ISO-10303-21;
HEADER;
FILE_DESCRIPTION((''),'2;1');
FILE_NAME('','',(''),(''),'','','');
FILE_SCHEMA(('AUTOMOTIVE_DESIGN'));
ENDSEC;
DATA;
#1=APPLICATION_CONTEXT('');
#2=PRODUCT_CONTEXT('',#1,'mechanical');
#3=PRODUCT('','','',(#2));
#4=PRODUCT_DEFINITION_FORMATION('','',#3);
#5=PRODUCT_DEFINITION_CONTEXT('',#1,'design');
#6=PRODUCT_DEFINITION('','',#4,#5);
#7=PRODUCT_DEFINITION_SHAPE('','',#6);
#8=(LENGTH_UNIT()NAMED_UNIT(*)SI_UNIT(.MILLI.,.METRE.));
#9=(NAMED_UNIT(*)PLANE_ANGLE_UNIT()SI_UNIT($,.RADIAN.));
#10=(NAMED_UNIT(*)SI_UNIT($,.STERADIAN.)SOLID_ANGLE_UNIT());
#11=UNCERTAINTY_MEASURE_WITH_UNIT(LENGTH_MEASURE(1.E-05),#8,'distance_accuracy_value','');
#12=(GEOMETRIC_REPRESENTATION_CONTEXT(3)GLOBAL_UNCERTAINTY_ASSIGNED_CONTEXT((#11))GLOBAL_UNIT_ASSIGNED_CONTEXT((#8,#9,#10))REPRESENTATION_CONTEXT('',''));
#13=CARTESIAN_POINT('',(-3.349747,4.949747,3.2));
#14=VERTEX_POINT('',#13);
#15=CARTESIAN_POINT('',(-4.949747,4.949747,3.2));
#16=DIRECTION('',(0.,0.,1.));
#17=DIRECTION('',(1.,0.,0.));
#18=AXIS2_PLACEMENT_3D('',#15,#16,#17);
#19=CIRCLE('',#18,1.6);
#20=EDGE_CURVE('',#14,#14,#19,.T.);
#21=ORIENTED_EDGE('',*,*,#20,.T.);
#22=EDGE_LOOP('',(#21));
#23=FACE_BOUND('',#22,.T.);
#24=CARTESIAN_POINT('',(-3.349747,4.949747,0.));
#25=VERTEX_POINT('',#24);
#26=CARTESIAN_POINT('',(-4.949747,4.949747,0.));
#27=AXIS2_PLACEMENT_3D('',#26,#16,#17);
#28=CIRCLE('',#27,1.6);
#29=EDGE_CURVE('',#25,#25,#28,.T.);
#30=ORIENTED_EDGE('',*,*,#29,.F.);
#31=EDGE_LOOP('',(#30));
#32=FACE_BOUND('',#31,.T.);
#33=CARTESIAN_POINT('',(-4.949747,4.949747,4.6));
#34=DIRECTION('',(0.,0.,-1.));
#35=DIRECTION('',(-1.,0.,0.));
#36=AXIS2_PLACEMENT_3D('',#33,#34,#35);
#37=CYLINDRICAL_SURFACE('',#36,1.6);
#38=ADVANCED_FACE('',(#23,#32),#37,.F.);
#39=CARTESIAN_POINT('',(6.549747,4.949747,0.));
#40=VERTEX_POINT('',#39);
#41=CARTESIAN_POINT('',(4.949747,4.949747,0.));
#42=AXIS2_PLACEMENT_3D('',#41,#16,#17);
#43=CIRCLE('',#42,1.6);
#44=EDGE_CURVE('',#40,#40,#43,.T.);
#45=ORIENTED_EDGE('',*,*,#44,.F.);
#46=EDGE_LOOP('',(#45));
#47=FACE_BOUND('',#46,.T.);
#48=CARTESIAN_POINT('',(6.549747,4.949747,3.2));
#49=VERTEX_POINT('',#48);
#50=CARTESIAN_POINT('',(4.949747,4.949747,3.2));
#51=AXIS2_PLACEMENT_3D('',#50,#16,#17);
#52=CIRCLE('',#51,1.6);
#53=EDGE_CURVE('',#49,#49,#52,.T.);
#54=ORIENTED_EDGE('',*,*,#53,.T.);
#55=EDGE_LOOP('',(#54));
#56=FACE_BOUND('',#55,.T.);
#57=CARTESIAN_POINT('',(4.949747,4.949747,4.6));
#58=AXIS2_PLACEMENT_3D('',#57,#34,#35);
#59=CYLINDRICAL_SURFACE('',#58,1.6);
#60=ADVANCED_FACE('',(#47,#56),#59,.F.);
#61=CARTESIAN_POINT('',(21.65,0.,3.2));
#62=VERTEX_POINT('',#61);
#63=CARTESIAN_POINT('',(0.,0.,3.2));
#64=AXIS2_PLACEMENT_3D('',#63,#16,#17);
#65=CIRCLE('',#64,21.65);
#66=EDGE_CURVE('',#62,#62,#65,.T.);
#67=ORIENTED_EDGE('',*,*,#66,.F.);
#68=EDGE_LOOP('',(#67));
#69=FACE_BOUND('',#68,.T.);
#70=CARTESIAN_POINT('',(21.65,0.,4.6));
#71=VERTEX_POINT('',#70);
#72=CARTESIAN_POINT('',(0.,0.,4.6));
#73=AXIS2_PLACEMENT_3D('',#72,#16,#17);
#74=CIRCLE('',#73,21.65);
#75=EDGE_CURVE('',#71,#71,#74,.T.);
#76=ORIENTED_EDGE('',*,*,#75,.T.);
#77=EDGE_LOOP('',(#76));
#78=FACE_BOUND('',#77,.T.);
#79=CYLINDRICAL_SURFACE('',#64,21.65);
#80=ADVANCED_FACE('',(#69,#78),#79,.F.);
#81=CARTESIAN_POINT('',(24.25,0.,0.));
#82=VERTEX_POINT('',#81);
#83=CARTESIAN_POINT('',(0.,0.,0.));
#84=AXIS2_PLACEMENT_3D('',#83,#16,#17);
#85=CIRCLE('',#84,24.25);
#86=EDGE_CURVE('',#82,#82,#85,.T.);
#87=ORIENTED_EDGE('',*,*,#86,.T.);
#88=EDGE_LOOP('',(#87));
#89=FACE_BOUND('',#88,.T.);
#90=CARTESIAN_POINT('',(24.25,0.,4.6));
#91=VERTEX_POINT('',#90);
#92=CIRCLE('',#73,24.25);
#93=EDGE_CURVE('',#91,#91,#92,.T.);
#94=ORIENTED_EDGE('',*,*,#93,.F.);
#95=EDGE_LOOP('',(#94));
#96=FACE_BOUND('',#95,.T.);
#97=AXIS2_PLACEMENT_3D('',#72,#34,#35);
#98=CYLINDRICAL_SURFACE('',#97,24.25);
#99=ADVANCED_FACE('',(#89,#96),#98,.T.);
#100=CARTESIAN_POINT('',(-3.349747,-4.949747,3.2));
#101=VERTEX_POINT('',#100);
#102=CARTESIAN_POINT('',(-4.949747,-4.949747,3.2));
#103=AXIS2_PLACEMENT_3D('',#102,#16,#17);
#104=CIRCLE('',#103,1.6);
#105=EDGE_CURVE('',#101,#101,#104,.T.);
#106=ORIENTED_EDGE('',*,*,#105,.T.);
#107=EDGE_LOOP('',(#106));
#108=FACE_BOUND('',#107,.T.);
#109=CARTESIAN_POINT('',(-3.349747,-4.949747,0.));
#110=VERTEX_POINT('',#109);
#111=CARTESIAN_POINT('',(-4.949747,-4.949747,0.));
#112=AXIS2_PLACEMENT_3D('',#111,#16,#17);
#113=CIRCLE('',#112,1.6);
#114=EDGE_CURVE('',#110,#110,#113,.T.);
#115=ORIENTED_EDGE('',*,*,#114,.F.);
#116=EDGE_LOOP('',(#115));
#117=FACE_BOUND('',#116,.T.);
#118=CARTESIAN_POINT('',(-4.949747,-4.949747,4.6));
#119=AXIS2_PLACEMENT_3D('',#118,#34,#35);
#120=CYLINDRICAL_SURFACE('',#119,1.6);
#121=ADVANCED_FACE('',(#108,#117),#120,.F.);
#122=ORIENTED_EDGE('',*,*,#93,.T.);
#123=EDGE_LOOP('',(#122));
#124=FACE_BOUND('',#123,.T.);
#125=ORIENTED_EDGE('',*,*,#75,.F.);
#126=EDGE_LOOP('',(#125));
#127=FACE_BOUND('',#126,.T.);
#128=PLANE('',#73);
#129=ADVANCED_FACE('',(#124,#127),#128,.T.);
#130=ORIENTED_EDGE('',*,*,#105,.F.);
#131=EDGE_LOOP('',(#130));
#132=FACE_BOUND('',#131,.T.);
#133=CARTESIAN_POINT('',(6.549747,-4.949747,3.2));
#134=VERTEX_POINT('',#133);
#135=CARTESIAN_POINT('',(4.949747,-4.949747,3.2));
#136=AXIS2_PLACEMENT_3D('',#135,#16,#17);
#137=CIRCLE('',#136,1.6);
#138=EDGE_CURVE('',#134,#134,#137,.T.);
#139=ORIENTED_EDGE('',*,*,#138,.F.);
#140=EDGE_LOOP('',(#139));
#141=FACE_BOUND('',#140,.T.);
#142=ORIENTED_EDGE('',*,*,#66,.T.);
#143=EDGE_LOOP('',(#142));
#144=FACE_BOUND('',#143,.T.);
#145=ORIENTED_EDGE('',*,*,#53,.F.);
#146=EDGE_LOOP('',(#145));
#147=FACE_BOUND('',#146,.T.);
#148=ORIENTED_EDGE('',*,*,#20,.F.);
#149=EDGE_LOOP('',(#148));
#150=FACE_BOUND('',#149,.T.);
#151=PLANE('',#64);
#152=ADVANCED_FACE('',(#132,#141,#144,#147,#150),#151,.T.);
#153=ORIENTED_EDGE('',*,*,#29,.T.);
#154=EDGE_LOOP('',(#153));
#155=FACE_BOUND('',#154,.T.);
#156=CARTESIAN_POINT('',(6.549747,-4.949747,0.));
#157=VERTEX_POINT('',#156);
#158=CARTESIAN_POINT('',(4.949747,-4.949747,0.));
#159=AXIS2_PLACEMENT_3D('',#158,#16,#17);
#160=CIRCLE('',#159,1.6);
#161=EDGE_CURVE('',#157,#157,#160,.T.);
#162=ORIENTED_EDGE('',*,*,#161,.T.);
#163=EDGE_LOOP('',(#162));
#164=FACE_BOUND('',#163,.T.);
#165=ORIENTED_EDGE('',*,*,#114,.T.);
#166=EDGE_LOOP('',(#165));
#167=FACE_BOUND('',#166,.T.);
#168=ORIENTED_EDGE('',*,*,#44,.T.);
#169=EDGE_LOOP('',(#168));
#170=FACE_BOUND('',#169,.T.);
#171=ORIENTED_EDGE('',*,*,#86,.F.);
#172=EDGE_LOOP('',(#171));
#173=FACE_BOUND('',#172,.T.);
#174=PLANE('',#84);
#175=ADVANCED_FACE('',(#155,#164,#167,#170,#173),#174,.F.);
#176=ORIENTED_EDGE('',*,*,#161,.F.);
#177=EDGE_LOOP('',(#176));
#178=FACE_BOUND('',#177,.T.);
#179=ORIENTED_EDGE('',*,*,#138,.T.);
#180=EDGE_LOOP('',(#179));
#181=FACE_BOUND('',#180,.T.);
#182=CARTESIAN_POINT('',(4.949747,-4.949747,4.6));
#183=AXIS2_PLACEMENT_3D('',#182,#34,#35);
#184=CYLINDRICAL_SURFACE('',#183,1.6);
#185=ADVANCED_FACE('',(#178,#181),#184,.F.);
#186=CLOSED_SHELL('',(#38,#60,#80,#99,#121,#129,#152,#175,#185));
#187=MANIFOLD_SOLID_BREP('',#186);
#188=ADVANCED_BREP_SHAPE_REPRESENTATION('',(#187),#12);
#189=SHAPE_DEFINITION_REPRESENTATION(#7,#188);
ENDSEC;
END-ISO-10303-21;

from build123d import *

# Parameters (mm, degrees)
SKETCH1_R           = 24.25
SKETCH1_R_2         = 1.6
BOSS_EXTRUDE1_DEPTH = 4.6
SKETCH2_R           = 21.65
CUT_EXTRUDE1_DEPTH  = 1.4


with BuildPart() as part:
    # Sketch1 → Boss-Extrude1 (new body)
    with BuildSketch(Plane.XY):
        Circle(SKETCH1_R)
        with Locations((-4.949747468, 4.949747468)):
            Circle(SKETCH1_R_2, mode=Mode.SUBTRACT)
        with Locations((4.949747468, 4.949747468)):
            Circle(SKETCH1_R_2, mode=Mode.SUBTRACT)
        with Locations((4.949747468, -4.949747468)):
            Circle(SKETCH1_R_2, mode=Mode.SUBTRACT)
        with Locations((-4.949747468, -4.949747468)):
            Circle(SKETCH1_R_2, mode=Mode.SUBTRACT)
    extrude(amount=BOSS_EXTRUDE1_DEPTH)

    # Sketch2 → Cut-Extrude1 (cut)
    with BuildSketch(Plane.XY.offset(4.6)):
        Circle(SKETCH2_R)
    extrude(amount=-CUT_EXTRUDE1_DEPTH, mode=Mode.SUBTRACT)


solid = part.part
